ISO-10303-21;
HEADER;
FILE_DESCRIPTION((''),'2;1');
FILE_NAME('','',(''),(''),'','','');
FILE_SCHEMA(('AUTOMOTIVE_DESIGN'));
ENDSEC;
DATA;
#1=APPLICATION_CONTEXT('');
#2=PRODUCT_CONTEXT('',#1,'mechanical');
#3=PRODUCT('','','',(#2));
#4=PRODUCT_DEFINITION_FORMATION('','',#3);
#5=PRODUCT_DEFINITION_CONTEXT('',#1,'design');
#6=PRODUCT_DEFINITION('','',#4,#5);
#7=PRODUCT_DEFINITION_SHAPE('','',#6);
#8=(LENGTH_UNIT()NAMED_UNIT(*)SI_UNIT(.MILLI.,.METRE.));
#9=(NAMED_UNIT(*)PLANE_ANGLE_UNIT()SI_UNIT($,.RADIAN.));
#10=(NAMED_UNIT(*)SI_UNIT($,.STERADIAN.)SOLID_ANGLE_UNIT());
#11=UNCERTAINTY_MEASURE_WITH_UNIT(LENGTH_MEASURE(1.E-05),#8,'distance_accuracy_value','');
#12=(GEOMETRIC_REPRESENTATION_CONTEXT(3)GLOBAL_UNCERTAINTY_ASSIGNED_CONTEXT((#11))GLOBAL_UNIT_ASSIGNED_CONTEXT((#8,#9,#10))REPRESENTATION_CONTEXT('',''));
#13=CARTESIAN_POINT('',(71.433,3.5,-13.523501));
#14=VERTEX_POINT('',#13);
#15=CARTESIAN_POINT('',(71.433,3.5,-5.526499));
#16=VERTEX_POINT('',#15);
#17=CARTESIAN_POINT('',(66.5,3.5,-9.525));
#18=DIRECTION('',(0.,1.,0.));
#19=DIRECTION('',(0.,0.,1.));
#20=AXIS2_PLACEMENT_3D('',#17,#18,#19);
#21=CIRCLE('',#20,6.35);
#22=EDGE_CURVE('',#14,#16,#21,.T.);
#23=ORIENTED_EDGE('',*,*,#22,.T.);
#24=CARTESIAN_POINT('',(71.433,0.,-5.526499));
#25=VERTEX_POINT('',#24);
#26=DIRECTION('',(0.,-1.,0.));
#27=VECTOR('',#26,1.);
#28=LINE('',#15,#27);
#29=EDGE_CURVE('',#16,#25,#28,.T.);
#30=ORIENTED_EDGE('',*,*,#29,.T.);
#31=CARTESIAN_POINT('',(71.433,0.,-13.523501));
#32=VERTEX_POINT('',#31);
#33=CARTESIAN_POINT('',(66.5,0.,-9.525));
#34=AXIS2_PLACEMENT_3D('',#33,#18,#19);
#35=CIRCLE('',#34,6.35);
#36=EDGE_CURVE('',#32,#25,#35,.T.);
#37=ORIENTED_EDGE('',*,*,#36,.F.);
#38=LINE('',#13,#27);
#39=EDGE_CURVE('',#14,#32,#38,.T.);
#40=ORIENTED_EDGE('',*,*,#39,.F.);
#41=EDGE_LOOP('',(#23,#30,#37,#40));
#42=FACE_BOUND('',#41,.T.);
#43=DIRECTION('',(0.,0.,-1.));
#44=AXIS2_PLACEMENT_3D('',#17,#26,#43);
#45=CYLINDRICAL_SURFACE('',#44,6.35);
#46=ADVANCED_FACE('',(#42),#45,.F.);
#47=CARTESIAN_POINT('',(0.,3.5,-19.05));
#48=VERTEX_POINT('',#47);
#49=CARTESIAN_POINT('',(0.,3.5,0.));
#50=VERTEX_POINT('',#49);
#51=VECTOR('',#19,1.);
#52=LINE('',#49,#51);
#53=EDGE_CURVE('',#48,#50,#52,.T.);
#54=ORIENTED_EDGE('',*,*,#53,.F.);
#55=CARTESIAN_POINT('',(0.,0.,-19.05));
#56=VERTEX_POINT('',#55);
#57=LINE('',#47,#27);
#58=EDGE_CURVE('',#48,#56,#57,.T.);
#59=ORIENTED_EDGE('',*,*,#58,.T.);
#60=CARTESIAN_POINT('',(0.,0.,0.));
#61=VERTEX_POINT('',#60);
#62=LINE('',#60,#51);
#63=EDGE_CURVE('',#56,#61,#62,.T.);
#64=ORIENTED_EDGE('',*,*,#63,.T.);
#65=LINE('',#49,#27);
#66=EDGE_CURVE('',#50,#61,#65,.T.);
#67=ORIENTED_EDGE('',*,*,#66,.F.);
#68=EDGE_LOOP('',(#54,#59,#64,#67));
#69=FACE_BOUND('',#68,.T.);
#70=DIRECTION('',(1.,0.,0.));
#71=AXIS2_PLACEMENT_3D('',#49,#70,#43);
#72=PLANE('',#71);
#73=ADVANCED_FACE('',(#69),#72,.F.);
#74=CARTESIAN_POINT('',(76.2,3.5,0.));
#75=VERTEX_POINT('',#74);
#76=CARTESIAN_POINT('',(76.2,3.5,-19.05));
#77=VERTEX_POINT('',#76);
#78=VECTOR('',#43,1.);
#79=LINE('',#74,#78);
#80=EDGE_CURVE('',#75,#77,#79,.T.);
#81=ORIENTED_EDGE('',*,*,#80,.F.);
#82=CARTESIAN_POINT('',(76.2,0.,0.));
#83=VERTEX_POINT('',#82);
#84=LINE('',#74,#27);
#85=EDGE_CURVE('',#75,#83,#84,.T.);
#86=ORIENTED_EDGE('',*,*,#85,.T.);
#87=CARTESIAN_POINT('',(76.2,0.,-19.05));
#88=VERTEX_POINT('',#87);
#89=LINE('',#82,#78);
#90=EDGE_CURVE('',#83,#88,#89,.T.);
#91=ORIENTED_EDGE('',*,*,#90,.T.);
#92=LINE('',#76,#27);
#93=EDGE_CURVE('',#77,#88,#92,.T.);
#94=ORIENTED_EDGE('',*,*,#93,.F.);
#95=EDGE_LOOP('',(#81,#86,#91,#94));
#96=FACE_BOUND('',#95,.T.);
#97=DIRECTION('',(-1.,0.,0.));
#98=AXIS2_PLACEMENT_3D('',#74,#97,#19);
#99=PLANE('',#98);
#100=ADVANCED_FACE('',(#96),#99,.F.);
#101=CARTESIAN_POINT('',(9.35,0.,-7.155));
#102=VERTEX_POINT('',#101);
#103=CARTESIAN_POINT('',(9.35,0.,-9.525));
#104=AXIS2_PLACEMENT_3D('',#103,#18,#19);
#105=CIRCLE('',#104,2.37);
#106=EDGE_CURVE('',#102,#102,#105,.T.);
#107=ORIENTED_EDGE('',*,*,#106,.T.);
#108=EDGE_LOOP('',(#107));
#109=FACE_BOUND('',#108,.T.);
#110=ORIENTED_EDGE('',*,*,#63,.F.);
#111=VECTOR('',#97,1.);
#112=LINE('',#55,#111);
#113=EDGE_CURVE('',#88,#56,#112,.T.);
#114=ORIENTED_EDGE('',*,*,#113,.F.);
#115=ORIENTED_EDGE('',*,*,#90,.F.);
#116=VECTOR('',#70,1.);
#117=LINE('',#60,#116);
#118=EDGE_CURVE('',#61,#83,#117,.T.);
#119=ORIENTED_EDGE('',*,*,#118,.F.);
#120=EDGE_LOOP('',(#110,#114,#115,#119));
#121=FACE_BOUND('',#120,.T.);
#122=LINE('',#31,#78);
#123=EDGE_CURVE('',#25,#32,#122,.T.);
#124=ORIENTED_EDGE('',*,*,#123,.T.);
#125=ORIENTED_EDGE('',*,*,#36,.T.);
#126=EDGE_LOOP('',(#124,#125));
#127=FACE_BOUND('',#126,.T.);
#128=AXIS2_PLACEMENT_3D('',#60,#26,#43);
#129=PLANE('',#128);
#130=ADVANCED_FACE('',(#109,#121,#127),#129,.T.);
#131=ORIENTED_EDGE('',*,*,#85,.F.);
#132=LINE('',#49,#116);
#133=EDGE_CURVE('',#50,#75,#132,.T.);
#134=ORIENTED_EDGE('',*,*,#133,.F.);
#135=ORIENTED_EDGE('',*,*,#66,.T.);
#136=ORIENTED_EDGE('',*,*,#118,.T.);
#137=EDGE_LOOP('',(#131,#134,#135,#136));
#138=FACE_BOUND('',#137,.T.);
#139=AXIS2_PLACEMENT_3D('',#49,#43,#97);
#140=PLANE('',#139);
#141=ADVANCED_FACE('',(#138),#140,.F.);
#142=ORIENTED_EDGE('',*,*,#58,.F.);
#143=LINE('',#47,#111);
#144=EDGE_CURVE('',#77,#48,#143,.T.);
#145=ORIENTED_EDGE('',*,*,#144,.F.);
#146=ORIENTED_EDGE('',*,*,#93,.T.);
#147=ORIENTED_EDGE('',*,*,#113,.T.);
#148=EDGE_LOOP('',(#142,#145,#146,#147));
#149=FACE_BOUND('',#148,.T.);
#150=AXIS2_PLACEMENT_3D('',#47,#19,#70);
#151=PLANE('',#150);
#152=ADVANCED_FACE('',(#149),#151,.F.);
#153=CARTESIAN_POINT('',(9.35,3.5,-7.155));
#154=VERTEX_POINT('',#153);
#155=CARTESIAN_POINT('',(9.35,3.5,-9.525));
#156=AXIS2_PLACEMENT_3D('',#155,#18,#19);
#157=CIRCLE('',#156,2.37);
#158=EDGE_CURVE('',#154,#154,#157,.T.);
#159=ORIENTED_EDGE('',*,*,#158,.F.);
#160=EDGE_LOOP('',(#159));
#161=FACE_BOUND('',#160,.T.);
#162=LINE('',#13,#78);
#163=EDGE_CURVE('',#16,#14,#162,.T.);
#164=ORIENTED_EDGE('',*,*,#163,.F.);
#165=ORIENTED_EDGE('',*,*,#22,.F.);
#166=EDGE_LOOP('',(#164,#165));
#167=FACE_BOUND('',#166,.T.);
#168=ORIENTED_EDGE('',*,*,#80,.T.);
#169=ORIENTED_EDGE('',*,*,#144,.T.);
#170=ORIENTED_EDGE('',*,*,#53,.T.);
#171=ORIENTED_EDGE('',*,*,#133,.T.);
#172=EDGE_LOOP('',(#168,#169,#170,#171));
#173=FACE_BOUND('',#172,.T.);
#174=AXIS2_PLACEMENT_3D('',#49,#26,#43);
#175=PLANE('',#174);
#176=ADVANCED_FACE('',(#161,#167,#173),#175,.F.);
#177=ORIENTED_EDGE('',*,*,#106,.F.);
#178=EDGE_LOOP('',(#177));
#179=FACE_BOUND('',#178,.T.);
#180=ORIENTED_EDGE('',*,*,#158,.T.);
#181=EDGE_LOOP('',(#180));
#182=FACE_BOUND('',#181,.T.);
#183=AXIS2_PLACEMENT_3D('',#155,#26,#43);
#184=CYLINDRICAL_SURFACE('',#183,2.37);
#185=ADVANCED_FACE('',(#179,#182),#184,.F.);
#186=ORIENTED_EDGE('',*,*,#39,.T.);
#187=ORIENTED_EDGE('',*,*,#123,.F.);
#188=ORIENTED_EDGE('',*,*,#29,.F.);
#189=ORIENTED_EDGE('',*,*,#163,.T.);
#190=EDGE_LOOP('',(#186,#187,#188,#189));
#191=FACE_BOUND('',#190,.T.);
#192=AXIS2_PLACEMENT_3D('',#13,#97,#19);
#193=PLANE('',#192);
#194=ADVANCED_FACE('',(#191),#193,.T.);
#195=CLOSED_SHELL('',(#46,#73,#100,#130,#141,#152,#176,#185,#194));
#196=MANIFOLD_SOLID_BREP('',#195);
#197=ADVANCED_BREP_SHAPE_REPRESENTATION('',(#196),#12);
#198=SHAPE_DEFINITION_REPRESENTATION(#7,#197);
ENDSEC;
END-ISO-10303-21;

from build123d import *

# Parameters (mm, degrees)
SKETCH1_W           = 76.2
SKETCH1_H           = 19.05
SKETCH1_R           = 2.37
BOSS_EXTRUDE1_DEPTH = 3.5


with BuildPart() as part:
    # Sketch1 → Boss-Extrude1 (new body)
    with BuildSketch(Plane(origin=(0, 0, 0), x_dir=(1, 0, 0), z_dir=(0, 1, 0))):
        with Locations((38.1, 9.525)):
            Rectangle(SKETCH1_W, SKETCH1_H)
        with Locations((9.35, 9.525)):
            Circle(SKETCH1_R, mode=Mode.SUBTRACT)
        with BuildLine():
            Line((71.433, 13.523501094), (71.433, 5.526498906))
            ThreePointArc((71.433, 5.526498906), (60.15, 9.525), (71.433, 13.523501094))
        make_face(mode=Mode.SUBTRACT)
    extrude(amount=BOSS_EXTRUDE1_DEPTH)


solid = part.part
